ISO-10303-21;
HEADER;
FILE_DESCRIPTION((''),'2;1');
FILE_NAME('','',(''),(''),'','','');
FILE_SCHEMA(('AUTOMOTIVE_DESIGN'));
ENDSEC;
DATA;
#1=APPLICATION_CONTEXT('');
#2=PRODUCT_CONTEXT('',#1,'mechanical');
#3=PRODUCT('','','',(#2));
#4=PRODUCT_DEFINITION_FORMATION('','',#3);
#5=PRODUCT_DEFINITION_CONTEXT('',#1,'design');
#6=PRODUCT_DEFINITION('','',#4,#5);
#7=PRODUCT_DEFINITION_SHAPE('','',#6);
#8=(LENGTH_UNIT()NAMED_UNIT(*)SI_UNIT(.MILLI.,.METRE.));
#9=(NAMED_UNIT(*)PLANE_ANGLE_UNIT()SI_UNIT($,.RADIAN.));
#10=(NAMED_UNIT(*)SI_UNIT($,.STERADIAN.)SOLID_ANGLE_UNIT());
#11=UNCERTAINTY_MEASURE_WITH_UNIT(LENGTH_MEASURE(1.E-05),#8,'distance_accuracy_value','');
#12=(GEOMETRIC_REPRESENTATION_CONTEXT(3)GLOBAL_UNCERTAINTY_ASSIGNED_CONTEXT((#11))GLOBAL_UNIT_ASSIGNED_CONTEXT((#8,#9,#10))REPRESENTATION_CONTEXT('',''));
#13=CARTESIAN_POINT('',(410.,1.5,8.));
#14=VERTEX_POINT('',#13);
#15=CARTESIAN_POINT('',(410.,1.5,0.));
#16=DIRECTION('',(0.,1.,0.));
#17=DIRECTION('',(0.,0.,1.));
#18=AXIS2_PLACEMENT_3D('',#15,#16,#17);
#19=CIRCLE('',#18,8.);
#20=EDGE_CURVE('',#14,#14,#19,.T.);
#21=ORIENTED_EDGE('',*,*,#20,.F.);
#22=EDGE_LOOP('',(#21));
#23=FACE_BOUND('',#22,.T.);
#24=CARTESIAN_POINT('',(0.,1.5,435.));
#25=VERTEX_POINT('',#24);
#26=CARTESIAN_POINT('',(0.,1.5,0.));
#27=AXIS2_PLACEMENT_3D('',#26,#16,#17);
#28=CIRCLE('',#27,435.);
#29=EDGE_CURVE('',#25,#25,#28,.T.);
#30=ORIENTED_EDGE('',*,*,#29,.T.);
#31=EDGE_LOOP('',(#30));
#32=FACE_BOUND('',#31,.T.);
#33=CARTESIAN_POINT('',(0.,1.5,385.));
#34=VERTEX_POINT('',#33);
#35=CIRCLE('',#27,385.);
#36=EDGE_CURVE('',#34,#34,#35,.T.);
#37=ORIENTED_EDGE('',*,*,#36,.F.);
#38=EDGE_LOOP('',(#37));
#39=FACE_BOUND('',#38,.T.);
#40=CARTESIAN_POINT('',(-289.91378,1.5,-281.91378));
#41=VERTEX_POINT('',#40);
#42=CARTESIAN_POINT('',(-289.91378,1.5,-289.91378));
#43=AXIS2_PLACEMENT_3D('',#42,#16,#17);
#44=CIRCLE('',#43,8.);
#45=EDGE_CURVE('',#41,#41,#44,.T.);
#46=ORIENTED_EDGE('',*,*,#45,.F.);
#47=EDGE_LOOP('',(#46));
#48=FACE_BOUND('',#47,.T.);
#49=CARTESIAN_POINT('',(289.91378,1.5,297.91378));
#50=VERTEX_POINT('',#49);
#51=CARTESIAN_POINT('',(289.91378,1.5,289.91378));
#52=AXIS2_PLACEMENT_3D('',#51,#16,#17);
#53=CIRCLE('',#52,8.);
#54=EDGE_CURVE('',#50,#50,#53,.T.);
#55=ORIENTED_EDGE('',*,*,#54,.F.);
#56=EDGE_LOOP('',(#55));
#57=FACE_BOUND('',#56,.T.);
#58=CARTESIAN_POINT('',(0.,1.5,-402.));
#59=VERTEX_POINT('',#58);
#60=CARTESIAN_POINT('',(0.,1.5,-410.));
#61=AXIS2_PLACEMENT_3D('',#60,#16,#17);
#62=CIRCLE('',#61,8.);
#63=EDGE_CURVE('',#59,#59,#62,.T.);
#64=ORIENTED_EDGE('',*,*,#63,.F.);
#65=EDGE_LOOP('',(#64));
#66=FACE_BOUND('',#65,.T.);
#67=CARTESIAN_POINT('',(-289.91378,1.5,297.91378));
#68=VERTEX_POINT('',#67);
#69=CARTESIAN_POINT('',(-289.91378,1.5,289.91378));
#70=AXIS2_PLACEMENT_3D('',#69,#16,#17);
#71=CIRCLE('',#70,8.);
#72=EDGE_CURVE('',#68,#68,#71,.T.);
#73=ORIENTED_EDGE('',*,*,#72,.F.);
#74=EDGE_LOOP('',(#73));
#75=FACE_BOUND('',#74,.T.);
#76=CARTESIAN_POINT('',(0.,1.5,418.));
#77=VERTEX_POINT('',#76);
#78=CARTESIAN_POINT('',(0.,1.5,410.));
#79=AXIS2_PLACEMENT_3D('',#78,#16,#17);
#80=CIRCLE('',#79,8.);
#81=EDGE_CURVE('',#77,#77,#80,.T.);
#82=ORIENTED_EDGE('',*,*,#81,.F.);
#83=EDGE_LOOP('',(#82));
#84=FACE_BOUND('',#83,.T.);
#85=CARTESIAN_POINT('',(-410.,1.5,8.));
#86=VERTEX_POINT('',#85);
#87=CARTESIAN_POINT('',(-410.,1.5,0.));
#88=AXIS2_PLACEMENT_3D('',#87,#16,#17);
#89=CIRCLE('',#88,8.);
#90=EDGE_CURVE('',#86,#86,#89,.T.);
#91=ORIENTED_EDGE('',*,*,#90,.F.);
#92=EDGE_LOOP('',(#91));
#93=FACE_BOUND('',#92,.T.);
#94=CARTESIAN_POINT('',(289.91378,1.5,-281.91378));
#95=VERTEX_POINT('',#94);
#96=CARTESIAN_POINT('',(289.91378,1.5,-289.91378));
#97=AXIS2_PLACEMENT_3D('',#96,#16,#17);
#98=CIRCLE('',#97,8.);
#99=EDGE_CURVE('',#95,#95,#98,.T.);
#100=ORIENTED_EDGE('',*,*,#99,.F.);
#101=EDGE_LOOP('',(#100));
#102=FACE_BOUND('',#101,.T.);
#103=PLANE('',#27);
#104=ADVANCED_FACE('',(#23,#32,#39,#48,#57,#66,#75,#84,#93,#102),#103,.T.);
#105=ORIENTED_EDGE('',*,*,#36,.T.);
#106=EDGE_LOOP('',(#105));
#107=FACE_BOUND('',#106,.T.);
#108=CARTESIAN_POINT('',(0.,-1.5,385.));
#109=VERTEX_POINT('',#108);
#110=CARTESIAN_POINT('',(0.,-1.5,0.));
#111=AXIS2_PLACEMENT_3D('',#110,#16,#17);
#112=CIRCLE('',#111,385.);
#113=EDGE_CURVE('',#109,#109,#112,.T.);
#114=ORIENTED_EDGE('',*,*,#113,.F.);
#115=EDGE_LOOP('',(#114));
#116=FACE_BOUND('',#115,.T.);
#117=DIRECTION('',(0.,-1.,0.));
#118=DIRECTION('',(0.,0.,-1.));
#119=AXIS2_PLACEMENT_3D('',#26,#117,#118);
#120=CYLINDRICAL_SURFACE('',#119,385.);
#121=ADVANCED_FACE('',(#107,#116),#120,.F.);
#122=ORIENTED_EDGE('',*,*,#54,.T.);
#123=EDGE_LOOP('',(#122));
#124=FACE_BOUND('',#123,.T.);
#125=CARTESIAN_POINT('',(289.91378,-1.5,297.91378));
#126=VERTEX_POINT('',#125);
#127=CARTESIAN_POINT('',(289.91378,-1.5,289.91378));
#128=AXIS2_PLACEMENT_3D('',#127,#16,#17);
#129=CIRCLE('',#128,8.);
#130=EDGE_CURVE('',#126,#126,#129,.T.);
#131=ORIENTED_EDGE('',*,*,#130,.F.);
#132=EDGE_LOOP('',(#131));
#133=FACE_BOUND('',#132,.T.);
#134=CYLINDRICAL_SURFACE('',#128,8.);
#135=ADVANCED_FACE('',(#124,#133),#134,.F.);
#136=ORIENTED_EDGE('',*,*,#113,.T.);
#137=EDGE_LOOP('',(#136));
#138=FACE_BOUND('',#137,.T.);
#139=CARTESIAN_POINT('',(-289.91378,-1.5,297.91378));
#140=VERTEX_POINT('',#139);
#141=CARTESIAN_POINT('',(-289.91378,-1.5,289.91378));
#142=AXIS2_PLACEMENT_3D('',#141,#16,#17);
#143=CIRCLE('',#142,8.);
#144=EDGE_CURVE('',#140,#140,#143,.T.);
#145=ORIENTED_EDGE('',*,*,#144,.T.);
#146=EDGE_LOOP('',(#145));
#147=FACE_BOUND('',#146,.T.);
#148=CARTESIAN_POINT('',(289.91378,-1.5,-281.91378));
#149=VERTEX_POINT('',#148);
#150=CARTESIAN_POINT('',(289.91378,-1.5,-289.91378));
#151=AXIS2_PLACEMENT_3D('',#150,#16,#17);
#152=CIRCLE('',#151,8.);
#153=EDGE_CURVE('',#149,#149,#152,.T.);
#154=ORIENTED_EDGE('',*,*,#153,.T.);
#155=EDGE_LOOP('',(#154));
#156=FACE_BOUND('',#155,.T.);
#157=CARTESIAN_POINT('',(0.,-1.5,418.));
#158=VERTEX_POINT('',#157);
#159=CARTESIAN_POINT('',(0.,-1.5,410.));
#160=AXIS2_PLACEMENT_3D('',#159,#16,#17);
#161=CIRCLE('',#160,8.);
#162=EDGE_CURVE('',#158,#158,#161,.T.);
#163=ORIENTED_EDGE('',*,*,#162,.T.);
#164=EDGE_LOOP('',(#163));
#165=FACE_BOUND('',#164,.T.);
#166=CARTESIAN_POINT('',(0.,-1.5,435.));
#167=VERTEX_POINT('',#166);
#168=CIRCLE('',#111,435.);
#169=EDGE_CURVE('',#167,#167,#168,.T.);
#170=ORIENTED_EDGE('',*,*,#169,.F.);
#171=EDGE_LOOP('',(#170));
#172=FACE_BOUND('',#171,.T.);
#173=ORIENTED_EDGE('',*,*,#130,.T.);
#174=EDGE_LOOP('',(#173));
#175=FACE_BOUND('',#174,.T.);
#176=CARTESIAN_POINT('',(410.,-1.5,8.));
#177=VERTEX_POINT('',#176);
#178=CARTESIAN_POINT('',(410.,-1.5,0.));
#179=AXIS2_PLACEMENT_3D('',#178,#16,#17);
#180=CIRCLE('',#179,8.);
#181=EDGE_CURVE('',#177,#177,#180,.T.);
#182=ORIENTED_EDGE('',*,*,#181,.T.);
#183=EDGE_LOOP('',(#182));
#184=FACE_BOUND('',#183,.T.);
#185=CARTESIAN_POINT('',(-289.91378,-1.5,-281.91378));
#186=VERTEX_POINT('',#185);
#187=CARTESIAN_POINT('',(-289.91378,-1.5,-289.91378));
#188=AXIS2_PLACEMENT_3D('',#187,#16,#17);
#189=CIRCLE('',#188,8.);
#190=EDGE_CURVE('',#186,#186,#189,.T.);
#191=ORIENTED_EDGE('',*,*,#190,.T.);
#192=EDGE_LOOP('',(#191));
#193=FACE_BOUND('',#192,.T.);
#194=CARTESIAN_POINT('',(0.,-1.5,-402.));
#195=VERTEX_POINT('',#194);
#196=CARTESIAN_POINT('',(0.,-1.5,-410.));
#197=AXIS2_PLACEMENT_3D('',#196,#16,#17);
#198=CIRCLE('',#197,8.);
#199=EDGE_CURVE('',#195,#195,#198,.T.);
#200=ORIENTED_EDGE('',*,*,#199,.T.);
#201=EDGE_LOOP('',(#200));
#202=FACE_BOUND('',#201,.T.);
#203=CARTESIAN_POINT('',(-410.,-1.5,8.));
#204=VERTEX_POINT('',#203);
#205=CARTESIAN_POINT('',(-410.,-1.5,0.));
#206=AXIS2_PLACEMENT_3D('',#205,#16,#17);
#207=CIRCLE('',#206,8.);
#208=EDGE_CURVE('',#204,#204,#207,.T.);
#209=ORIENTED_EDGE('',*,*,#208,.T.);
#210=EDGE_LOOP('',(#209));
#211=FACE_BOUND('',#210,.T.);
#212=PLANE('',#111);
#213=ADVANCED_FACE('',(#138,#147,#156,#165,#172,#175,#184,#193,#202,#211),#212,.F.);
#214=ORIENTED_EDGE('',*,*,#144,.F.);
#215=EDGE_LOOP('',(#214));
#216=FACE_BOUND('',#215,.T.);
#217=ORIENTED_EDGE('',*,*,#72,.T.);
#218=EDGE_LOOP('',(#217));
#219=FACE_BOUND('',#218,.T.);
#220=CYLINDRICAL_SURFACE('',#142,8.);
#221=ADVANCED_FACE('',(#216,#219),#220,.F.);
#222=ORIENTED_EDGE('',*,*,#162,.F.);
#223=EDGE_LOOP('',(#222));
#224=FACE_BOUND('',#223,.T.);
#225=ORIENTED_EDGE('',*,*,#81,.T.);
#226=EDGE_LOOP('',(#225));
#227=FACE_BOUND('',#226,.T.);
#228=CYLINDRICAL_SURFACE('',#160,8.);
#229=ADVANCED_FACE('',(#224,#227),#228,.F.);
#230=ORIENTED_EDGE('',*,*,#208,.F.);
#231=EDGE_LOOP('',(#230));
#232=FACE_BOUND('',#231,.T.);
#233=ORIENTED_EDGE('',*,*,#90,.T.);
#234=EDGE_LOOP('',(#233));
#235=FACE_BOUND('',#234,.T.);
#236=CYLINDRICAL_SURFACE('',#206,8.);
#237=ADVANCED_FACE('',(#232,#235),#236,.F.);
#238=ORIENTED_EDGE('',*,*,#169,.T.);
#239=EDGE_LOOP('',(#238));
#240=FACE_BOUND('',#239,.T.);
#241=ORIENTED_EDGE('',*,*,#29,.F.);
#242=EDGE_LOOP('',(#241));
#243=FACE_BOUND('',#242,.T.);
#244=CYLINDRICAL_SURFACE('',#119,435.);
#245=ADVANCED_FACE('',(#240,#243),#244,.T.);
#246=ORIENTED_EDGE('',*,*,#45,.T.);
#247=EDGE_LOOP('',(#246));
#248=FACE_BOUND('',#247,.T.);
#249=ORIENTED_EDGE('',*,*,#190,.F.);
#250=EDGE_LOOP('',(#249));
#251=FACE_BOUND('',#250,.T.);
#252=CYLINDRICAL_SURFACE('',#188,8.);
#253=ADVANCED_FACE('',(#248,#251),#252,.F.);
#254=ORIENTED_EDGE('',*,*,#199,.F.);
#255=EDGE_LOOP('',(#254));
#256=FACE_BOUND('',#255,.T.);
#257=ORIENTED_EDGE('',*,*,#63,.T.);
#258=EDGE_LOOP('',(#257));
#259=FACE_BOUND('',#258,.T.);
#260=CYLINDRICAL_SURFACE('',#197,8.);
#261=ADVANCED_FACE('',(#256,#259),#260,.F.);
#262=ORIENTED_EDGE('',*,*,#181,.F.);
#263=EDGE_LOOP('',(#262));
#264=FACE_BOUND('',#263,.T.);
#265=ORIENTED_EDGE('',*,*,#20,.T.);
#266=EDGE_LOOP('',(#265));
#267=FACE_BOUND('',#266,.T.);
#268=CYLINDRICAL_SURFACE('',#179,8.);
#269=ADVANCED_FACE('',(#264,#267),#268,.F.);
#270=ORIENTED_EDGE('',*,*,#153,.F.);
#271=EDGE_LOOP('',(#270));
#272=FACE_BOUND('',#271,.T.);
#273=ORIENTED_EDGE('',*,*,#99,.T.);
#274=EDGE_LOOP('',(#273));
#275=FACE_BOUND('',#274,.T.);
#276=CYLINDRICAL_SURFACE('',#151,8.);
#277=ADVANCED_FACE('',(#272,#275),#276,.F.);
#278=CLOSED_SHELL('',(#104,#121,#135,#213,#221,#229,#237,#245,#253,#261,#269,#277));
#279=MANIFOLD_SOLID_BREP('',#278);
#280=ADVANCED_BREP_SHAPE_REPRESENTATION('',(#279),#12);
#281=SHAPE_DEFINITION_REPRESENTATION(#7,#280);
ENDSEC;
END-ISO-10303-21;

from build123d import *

# Parameters (mm, degrees)
SKETCH1_R               = 435
SKETCH1_R_2             = 385
BOSS_EXTRUDE1_DEPTH     = 1.5
CUT_EXTRUDE1_DEPTH      = 616.190214487
CUT_EXTRUDE1_DEPTH_BACK = 616.190214487
SKETCH2_R               = 8


with BuildPart() as part:
    # Sketch1 → Boss-Extrude1 (new, symmetric)
    with BuildSketch(Plane(origin=(0, 0, 0), x_dir=(1, 0, 0), z_dir=(0, 1, 0))):
        with Locations(Location((0, 0, 0), (0, 0, 270))):
            Circle(SKETCH1_R)
        with Locations(Location((0, 0, 0), (0, 0, 270))):
            Circle(SKETCH1_R_2, mode=Mode.SUBTRACT)
    extrude(amount=BOSS_EXTRUDE1_DEPTH, both=True)

    # Sketch2 → Cut-Extrude1 (cut, two sides: drawn at the far end of the back side and taken through both)
    with BuildSketch(Plane(origin=(0, 1.5, 0), x_dir=(1, 0, 0), z_dir=(0, 1, 0)).offset(-CUT_EXTRUDE1_DEPTH_BACK)):
        with Locations(Location((410, 0, 0), (0, 0, 270))):
            Circle(SKETCH2_R)
        with Locations(Location((289.913780286, -289.913780286, 0), (0, 0, 270))):
            Circle(SKETCH2_R)
        with Locations(Location((0, -410, 0), (0, 0, 270))):
            Circle(SKETCH2_R)
        with Locations(Location((-289.913780286, -289.913780286, 0), (0, 0, 270))):
            Circle(SKETCH2_R)
        with Locations(Location((-410, 0, 0), (0, 0, 270))):
            Circle(SKETCH2_R)
        with Locations(Location((-289.913780286, 289.913780286, 0), (0, 0, 270))):
            Circle(SKETCH2_R)
        with Locations(Location((0, 410, 0), (0, 0, 270))):
            Circle(SKETCH2_R)
        with Locations(Location((289.913780286, 289.913780286, 0), (0, 0, 270))):
            Circle(SKETCH2_R)
    extrude(amount=CUT_EXTRUDE1_DEPTH + CUT_EXTRUDE1_DEPTH_BACK, mode=Mode.SUBTRACT)


solid = part.part
